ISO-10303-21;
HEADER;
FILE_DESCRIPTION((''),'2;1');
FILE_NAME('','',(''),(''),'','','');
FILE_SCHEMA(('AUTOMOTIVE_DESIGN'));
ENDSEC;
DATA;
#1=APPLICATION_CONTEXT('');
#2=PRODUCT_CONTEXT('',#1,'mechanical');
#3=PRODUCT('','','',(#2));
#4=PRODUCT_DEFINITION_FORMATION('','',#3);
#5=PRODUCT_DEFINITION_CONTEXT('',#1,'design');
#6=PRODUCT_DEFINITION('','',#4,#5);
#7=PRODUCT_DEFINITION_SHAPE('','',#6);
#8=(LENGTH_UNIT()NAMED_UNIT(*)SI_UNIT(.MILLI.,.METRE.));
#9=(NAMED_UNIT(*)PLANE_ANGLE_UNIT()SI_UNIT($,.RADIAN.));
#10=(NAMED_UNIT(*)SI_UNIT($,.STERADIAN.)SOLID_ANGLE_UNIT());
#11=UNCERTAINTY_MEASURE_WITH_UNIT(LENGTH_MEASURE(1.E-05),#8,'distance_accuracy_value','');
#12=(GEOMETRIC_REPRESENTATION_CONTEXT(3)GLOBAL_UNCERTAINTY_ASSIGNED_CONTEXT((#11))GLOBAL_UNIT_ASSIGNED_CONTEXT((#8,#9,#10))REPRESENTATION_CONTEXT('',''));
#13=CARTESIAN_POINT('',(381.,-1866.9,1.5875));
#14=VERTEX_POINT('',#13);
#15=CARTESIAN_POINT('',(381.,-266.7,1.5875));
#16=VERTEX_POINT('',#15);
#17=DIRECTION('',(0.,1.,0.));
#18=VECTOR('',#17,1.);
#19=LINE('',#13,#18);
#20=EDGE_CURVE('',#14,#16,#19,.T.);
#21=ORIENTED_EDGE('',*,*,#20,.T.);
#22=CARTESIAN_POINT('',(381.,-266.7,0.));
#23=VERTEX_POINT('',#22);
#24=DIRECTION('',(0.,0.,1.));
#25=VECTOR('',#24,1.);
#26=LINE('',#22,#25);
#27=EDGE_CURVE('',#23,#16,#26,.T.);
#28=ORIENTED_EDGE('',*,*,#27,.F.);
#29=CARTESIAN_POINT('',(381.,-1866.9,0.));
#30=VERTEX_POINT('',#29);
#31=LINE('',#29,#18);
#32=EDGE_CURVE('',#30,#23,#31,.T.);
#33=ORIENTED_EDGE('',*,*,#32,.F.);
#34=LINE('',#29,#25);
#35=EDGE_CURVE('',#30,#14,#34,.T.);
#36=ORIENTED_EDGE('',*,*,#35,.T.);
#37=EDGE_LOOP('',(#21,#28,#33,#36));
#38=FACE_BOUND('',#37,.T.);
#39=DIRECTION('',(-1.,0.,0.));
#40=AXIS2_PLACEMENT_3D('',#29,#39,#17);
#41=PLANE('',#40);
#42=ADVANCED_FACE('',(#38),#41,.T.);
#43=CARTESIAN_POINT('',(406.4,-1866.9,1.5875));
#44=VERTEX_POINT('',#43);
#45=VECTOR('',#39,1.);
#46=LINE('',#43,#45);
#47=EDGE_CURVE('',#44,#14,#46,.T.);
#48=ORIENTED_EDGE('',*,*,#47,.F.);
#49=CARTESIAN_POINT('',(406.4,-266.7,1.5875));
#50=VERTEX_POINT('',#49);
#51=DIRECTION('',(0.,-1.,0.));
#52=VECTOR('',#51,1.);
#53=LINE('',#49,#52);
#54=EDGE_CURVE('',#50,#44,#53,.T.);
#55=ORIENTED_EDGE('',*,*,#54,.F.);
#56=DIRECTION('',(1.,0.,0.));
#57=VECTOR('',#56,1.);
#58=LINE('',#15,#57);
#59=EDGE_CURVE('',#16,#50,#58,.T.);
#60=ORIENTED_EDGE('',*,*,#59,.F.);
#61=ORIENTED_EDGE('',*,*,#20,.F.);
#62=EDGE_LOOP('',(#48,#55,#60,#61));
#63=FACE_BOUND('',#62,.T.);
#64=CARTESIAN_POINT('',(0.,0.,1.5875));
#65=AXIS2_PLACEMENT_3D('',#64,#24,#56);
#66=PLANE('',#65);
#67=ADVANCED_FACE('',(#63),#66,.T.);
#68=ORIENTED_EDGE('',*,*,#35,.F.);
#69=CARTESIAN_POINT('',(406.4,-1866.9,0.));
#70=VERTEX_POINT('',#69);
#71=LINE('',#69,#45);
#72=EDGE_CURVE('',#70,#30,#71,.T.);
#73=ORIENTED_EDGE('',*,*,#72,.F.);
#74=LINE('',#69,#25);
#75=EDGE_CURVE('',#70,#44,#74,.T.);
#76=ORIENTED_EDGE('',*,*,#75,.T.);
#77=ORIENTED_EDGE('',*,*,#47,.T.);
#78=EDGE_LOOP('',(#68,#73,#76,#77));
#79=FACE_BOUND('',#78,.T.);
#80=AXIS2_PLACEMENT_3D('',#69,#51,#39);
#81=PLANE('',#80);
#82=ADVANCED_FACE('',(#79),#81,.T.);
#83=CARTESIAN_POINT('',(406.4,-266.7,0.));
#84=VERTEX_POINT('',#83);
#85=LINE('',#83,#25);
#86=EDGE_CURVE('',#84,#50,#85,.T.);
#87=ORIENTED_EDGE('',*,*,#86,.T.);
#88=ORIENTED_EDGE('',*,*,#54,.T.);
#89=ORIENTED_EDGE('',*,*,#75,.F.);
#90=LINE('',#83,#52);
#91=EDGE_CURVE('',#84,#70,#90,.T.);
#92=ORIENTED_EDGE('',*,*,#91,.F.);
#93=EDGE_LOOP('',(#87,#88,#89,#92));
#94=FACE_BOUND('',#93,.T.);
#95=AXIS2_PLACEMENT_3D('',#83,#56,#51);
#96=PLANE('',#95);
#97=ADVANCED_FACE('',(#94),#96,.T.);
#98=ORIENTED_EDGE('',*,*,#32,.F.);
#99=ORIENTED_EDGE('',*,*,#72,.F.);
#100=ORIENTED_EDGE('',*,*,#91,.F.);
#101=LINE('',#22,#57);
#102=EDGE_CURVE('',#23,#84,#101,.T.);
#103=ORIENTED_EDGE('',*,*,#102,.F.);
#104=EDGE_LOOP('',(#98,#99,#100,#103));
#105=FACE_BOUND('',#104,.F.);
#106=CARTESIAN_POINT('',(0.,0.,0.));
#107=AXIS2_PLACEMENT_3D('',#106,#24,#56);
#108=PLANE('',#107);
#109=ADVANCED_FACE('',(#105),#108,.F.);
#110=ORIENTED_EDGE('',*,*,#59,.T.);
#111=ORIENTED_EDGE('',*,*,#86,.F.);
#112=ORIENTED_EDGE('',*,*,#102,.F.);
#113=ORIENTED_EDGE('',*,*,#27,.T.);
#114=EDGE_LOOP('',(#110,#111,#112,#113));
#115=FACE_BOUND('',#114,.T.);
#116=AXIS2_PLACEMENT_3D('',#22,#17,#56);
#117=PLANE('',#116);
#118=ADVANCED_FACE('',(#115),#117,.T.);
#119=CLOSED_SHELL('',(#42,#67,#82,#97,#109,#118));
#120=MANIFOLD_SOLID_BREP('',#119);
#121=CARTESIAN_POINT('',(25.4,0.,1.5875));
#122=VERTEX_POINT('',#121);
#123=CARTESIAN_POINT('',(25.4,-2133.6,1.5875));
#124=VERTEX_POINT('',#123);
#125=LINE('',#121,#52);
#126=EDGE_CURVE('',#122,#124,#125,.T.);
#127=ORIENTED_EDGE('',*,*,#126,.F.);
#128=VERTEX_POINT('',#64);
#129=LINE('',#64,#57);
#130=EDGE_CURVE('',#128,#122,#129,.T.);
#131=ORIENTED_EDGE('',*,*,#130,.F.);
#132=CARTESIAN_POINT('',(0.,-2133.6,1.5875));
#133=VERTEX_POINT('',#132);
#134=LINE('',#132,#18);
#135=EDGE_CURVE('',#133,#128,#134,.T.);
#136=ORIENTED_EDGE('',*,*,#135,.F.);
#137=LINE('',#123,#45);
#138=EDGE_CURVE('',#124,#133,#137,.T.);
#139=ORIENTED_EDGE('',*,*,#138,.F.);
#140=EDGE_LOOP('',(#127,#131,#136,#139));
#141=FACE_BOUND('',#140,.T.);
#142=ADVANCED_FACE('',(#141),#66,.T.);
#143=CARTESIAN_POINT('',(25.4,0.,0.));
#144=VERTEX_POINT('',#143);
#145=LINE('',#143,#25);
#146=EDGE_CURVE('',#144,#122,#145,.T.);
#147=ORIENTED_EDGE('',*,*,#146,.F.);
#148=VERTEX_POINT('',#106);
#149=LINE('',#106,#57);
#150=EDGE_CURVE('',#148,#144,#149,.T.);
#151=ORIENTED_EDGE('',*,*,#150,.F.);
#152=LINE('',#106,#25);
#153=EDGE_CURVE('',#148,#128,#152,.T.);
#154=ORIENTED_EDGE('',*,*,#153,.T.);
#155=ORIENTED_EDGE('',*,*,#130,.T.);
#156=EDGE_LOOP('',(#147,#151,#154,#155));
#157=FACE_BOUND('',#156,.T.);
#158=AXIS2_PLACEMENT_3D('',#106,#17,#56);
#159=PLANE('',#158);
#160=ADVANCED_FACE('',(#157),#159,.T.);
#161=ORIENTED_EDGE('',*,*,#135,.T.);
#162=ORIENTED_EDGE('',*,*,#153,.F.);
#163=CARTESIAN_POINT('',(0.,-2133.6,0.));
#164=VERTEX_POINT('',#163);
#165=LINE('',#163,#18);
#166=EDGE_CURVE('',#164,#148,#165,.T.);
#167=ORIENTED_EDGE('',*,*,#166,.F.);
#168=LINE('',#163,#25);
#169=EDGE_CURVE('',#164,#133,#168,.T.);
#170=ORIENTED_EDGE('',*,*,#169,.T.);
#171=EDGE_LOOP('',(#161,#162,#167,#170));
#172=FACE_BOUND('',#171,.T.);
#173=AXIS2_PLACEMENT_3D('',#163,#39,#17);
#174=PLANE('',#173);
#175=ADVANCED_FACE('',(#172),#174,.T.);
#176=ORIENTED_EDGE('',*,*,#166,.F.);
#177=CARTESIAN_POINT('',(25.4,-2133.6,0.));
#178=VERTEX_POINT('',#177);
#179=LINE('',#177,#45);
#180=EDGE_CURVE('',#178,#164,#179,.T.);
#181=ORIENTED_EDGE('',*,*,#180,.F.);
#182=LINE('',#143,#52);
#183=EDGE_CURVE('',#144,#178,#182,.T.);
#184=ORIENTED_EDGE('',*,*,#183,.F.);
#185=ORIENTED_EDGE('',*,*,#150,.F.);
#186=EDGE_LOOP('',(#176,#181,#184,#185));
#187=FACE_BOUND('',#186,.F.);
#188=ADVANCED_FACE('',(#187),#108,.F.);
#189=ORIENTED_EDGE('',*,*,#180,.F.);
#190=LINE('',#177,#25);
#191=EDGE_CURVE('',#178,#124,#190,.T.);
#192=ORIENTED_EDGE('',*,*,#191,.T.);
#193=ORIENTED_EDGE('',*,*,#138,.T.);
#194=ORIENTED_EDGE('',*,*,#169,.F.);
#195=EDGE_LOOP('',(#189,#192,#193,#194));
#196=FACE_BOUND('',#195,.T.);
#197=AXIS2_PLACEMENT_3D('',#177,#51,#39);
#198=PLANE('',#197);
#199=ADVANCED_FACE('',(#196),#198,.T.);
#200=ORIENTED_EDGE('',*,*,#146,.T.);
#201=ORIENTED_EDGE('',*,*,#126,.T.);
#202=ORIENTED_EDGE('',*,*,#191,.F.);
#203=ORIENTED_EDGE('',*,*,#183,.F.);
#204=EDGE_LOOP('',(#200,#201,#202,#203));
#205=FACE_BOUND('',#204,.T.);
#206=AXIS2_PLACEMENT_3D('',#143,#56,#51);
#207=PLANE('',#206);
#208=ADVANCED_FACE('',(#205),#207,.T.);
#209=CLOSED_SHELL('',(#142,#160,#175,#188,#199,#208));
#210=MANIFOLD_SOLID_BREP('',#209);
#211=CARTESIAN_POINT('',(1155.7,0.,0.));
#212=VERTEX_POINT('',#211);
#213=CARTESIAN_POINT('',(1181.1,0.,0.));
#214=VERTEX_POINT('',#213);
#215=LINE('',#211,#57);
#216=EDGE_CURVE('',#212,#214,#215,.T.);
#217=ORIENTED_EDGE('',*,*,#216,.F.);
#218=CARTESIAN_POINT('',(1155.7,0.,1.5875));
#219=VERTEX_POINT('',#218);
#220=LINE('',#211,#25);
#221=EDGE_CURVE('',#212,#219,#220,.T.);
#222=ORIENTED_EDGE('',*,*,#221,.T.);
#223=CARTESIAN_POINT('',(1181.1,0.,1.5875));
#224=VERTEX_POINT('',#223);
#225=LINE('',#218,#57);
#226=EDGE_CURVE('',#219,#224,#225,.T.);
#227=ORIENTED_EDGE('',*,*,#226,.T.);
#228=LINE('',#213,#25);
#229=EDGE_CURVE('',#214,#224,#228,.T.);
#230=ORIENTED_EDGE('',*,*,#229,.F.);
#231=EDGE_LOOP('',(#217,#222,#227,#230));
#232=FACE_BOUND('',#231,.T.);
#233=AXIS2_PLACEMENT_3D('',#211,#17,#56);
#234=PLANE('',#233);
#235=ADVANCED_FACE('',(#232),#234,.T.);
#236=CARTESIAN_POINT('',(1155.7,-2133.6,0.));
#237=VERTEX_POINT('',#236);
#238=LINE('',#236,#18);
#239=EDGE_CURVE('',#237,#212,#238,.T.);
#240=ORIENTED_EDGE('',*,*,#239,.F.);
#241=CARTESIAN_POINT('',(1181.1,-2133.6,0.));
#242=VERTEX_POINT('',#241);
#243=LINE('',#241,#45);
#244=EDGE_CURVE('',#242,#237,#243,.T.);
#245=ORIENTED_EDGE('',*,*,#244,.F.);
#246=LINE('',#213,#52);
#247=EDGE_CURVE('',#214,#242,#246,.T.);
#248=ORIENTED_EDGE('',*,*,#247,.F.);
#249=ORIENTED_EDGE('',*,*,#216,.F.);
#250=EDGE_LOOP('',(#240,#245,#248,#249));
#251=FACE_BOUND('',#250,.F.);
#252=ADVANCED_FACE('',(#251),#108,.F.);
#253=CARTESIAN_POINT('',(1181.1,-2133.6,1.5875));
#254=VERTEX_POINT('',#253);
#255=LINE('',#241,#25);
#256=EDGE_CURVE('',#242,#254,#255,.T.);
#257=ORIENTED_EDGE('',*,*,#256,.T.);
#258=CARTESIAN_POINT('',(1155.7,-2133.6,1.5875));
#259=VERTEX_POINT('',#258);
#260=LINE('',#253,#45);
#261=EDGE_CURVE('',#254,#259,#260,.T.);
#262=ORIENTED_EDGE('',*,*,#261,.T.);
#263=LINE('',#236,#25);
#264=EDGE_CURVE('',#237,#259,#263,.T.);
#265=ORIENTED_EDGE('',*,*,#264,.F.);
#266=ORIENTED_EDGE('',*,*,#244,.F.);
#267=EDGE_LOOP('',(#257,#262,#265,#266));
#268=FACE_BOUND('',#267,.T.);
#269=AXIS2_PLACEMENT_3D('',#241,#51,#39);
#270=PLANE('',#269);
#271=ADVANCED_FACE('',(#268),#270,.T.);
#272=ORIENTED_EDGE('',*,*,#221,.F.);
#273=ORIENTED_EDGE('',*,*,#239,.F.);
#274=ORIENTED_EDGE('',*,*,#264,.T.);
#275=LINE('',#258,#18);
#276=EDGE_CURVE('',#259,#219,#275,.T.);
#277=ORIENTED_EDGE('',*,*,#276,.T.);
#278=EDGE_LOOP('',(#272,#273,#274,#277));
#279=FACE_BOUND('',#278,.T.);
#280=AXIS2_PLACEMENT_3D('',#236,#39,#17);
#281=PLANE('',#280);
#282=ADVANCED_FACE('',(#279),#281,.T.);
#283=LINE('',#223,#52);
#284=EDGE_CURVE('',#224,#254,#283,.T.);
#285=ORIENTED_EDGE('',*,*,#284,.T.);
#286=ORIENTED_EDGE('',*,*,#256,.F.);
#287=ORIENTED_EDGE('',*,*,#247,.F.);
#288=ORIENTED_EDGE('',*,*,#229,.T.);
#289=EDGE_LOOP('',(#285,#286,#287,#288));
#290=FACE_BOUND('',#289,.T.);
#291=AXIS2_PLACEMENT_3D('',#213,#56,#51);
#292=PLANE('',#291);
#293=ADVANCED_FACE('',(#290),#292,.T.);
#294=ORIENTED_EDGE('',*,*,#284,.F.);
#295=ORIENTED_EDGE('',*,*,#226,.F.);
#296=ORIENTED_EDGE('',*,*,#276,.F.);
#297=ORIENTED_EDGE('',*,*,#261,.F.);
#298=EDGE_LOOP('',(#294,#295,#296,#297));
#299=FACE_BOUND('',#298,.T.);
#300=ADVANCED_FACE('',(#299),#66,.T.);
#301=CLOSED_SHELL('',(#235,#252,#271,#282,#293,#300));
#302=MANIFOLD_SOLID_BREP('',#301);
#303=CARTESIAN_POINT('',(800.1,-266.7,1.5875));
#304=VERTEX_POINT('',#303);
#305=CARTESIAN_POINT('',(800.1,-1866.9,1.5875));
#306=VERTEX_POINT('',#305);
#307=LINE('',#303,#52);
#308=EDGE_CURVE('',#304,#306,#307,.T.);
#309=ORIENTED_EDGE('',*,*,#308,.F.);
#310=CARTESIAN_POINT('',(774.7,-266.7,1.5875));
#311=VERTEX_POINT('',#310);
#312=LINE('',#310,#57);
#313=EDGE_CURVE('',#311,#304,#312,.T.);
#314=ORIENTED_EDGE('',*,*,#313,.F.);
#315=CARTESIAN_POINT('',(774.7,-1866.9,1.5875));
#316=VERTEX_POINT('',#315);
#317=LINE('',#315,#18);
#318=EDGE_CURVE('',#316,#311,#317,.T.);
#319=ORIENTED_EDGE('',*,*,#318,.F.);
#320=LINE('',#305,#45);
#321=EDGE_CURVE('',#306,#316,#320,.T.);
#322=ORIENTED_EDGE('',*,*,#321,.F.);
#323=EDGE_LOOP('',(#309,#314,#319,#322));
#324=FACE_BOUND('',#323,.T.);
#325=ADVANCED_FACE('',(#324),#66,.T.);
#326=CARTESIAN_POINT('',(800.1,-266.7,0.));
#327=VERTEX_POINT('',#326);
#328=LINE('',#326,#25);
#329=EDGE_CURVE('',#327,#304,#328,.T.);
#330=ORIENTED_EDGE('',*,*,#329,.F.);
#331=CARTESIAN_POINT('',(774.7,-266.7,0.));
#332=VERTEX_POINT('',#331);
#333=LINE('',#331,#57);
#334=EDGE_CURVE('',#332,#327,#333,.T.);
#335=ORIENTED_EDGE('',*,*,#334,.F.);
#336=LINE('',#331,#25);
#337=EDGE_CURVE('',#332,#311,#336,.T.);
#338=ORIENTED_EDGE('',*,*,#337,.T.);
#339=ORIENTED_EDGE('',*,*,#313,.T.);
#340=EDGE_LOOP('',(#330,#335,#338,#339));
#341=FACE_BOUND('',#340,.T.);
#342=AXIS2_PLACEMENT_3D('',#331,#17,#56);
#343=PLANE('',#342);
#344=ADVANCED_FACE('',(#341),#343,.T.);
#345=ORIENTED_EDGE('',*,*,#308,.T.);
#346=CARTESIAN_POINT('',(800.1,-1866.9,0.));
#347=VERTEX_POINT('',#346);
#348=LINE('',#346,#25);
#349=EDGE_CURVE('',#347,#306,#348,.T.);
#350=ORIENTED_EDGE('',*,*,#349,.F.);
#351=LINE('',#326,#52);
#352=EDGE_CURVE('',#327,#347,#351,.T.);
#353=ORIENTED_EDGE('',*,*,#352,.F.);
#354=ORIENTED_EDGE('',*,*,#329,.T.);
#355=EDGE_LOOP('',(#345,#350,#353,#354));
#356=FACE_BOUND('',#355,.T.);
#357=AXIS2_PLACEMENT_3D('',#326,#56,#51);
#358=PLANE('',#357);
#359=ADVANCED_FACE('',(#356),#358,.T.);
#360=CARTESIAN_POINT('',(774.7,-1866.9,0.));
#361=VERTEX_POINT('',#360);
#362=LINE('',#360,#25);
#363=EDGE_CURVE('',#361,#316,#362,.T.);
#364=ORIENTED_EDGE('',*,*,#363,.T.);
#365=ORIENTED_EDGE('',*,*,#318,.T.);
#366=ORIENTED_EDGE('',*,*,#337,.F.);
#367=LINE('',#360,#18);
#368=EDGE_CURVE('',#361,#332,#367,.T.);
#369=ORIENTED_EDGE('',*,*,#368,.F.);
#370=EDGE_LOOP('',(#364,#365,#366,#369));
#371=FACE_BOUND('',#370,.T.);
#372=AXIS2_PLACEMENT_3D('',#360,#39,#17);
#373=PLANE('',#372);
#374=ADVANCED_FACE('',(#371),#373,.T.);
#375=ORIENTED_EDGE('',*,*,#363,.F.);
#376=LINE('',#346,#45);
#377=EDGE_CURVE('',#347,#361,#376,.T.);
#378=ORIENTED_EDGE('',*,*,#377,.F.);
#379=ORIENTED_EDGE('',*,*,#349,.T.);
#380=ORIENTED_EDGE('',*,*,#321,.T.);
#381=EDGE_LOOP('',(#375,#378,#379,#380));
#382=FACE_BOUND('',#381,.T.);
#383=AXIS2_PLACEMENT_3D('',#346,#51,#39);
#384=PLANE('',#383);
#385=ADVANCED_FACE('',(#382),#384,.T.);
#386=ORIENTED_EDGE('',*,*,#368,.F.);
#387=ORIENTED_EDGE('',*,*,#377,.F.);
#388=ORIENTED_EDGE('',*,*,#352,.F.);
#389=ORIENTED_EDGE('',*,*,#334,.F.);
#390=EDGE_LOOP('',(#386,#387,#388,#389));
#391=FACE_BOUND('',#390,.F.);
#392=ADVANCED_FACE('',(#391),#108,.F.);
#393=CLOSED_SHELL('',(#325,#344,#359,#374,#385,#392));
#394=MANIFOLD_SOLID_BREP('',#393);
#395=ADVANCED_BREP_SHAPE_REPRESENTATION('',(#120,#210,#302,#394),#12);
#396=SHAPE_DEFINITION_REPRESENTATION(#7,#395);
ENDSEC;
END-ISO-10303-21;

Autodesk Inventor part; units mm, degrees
ref_plane "YZ Plane" through (0, 0, 0) normal (1, 0, 0) x (0, 1, 0)
ref_plane "XZ Plane" through (0, 0, 0) normal (0, 1, 0) x (-1, 0, 0)
ref_plane "XY Plane" through (0, 0, 0) normal (0, 0, 1) x (1, 0, 0)
sketch "Sketch1" plane through (0, 0, 0) normal (0, 0, 1) x (1, 0, 0)
  line L0 (0, 0) -> (25.4, 0)
  line L1 (25.4, 0) -> (25.4, -2133.6)
  line L2 (25.4, -2133.6) -> (0, -2133.6)
  line L3 (0, -2133.6) -> (0, 0)
  line L4 (381, -266.7) -> (406.4, -266.7)
  line L5 (406.4, -266.7) -> (406.4, -1866.9)
  line L6 (406.4, -1866.9) -> (381, -1866.9)
  line L7 (381, -1866.9) -> (381, -266.7)
  line L8 (774.7, -266.7) -> (800.1, -266.7)
  line L9 (800.1, -266.7) -> (800.1, -1866.9)
  line L10 (800.1, -1866.9) -> (774.7, -1866.9)
  line L11 (774.7, -1866.9) -> (774.7, -266.7)
  line L12 (1155.7, 0) -> (1181.1, 0)
  line L13 (1181.1, 0) -> (1181.1, -2133.6)
  line L14 (1181.1, -2133.6) -> (1155.7, -2133.6)
  line L15 (1155.7, -2133.6) -> (1155.7, 0)
  dimension "d0" = 355.6
  dimension "d1" = 2133.6
  dimension "d2" = 1600.2
  dimension "d3" = 25.4
  dimension "d4" = 266.7
  dimension "d5" = 393.7
  dimension "d6" = 355.6
extrude "Extrusion1" add sketch "Sketch1" along normal blind 1.5875
equation "\"d4\" = -0.5 * d2 + 0.5 * d1"
properties part number "GE-12017-03"
